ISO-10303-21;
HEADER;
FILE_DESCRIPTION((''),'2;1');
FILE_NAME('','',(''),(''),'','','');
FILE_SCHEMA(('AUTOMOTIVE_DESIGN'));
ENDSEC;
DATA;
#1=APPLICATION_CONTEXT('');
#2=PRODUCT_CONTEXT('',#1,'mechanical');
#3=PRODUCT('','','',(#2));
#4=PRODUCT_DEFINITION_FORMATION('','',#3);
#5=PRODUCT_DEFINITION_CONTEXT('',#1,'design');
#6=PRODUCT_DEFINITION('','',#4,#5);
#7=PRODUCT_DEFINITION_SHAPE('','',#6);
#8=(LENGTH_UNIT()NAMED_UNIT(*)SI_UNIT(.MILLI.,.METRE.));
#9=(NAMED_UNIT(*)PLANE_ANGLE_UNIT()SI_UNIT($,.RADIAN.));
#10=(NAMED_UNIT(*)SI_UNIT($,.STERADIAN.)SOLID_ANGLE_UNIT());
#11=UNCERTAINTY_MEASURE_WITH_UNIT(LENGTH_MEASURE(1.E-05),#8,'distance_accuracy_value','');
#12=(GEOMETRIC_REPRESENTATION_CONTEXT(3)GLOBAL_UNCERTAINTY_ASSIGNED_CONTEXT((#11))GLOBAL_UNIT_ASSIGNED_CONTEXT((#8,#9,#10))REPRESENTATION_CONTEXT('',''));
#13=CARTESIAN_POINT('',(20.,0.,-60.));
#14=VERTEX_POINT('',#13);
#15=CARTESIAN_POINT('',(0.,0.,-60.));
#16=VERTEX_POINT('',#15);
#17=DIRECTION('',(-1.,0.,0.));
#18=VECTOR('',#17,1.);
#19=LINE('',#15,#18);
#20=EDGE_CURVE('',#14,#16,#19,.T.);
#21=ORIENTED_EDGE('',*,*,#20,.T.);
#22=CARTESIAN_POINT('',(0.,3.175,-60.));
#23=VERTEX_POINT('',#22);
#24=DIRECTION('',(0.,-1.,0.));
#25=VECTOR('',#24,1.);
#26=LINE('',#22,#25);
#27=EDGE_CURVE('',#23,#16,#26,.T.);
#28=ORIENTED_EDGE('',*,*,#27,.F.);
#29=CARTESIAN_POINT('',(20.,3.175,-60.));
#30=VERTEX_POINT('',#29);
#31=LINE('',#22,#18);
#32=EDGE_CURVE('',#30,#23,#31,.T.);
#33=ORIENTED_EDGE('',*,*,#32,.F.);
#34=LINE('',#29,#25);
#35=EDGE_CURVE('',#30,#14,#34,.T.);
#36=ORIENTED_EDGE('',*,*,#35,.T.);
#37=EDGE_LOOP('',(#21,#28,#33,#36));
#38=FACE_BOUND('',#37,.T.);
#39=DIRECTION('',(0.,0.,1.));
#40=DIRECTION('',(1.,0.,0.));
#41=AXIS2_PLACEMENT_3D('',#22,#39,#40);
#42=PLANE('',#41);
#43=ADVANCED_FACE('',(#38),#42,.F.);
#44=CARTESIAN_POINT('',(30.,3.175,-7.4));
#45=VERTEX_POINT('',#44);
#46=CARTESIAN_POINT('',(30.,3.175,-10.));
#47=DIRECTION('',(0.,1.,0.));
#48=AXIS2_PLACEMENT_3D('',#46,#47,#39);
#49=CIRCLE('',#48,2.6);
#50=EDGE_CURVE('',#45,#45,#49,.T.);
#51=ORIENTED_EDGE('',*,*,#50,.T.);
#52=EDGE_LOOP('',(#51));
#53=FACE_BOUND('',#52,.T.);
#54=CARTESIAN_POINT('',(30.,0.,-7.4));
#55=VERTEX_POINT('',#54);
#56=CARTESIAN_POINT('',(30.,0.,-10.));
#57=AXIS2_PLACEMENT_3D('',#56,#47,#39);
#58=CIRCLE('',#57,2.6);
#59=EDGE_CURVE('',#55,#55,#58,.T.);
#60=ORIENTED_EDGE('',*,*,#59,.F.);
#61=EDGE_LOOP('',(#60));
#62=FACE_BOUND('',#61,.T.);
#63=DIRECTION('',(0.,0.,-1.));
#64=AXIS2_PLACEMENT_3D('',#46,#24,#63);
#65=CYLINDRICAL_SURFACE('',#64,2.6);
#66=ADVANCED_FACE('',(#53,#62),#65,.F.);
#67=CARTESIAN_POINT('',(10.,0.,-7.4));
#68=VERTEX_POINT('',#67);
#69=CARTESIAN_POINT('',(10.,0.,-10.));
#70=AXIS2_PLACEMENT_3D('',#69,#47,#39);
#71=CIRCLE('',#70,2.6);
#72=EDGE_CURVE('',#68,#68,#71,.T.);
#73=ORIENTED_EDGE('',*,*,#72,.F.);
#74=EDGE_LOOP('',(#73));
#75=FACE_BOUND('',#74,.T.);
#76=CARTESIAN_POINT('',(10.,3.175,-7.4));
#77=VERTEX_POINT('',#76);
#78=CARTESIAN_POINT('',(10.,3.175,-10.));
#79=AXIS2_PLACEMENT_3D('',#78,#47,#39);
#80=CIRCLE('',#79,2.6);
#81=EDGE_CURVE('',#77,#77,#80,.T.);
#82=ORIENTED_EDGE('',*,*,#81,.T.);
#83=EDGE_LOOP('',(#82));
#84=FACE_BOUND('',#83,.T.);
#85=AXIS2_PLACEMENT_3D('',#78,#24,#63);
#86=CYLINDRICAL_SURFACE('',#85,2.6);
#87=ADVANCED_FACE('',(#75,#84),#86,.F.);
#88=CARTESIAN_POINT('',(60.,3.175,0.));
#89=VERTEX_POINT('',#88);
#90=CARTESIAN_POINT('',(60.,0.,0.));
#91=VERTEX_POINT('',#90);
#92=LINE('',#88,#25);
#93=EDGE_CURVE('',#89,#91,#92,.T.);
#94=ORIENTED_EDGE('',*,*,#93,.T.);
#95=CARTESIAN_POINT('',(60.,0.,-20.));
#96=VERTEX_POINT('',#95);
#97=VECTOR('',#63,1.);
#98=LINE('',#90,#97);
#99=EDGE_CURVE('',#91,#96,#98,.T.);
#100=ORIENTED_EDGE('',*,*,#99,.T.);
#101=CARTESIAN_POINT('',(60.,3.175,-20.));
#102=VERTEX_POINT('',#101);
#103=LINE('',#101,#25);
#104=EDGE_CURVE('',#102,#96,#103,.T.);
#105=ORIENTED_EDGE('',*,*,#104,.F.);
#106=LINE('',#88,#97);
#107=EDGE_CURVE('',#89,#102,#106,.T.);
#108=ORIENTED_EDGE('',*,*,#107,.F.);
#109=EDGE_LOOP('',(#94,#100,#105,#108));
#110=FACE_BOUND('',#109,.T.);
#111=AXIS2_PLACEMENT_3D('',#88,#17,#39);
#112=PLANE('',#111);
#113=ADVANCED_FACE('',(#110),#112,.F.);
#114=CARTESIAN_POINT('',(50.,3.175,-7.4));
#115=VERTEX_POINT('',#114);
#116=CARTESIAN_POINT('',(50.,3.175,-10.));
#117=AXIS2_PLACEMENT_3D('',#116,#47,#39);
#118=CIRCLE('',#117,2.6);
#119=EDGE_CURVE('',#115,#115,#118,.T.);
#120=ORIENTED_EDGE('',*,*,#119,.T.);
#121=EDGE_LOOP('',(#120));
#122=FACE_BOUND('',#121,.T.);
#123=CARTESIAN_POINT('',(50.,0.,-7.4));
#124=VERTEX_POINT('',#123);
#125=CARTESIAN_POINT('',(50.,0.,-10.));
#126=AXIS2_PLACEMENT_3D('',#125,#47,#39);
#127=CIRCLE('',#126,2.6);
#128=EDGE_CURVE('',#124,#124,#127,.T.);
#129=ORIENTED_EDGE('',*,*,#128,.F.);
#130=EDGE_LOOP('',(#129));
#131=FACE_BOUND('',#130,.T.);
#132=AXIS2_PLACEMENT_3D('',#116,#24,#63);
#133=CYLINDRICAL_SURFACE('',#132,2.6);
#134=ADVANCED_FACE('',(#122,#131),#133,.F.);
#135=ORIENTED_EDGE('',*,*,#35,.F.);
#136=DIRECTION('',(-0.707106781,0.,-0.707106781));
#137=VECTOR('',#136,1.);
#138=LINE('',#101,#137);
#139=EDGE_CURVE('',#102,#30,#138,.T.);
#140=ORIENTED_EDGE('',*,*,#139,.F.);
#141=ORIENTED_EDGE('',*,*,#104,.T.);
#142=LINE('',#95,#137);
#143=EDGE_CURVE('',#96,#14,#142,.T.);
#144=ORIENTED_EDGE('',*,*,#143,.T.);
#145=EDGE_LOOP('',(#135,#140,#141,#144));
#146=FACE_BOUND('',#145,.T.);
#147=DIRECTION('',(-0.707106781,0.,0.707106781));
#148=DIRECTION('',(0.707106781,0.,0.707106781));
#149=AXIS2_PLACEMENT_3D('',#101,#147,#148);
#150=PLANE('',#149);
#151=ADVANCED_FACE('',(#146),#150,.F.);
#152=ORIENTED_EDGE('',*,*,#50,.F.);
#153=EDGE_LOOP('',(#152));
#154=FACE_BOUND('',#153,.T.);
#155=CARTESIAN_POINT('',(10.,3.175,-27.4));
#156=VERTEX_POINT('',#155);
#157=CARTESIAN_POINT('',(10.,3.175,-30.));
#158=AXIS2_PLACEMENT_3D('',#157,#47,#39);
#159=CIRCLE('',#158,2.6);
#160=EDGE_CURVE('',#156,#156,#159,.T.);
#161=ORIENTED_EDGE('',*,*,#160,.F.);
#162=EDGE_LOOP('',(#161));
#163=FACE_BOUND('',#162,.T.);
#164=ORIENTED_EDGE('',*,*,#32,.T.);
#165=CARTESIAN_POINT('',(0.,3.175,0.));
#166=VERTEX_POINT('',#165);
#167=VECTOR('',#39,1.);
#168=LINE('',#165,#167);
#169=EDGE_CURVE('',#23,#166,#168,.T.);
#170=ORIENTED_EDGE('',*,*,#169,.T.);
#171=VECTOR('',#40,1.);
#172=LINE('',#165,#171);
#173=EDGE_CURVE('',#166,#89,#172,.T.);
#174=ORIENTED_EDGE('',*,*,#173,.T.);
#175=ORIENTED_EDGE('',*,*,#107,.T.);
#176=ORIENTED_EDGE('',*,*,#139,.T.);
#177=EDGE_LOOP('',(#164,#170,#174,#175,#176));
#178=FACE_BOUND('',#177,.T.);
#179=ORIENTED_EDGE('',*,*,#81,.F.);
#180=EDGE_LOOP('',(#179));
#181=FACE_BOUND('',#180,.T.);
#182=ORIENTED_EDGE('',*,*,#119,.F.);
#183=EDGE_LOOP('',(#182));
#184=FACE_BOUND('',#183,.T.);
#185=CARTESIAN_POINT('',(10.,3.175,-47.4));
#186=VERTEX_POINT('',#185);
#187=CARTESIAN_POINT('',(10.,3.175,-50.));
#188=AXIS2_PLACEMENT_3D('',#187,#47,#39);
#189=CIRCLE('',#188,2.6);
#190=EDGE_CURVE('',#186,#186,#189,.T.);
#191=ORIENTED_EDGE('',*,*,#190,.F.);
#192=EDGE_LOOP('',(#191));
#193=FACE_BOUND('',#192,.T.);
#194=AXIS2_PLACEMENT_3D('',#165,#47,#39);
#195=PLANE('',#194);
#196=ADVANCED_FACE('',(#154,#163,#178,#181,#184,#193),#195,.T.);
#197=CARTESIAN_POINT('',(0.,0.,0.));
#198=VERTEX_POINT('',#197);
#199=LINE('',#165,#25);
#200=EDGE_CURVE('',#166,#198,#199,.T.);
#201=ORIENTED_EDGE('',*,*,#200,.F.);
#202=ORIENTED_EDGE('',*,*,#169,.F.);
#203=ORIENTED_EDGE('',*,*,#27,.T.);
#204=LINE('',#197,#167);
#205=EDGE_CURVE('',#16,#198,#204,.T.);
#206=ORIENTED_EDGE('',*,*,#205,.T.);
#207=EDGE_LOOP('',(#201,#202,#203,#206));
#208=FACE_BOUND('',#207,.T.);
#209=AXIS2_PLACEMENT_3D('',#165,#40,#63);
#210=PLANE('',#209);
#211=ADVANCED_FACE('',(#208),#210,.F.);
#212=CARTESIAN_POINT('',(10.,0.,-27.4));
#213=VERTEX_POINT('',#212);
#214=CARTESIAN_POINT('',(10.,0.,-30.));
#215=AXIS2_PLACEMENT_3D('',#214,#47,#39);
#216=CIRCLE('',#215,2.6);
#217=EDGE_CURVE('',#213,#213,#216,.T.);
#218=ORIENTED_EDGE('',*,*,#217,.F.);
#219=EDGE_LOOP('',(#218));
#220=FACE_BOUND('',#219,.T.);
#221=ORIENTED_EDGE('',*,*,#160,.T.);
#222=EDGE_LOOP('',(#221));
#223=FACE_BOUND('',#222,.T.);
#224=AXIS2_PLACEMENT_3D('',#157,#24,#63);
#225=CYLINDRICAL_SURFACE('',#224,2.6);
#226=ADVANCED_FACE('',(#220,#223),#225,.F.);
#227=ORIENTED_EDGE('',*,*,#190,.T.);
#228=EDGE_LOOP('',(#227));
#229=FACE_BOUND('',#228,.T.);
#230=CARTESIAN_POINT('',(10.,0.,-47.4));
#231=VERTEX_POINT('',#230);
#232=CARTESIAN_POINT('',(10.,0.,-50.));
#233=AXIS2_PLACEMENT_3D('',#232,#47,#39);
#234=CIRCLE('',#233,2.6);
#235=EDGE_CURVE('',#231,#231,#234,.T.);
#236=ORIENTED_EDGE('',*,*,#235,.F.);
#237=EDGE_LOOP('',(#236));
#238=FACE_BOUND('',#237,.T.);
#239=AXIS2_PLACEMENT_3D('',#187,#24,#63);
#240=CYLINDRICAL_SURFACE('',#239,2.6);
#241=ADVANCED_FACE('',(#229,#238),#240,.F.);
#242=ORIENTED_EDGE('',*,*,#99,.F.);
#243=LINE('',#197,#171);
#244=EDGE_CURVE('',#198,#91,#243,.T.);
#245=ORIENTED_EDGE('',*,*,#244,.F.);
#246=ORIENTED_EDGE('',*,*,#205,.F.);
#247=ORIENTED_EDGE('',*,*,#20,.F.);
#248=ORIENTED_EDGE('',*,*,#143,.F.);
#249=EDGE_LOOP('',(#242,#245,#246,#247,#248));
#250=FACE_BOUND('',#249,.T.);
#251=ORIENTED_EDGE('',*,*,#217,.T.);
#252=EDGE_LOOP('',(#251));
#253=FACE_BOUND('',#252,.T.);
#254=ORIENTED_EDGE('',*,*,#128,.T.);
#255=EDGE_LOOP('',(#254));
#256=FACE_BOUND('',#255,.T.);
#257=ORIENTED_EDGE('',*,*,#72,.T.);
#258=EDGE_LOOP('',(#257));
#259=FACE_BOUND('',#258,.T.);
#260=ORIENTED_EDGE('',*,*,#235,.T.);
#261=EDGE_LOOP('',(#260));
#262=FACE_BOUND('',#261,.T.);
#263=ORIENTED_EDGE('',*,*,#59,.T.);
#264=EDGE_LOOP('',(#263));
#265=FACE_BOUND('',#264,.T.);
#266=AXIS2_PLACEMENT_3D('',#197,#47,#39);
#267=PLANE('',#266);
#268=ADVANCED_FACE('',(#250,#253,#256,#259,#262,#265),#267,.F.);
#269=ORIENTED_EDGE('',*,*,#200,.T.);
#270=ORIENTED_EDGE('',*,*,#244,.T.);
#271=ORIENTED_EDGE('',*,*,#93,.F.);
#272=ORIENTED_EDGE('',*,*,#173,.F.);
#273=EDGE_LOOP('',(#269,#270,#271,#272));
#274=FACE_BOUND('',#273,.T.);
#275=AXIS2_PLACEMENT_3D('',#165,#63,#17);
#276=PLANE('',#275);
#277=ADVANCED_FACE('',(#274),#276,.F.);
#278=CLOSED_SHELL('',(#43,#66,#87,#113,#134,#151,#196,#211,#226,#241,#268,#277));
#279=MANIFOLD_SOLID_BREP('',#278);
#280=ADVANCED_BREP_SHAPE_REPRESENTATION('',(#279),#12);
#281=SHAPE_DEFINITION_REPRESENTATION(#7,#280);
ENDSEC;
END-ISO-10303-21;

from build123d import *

# Parameters (mm, degrees)
SKETCH1_R           = 2.6
BOSS_EXTRUDE1_DEPTH = 3.175


with BuildPart() as part:
    # Sketch1 → Boss-Extrude1 (new body)
    with BuildSketch(Plane(origin=(0, 0, 0), x_dir=(1, 0, 0), z_dir=(0, 1, 0))):
        Polygon((60, 0), (60, 20), (20, 60), (0, 60), (0, 0), align=None)
        with Locations((50, 10)):
            Circle(SKETCH1_R, mode=Mode.SUBTRACT)
        with Locations((10, 50)):
            Circle(SKETCH1_R, mode=Mode.SUBTRACT)
        with Locations((30, 10)):
            Circle(SKETCH1_R, mode=Mode.SUBTRACT)
        with Locations((10, 10)):
            Circle(SKETCH1_R, mode=Mode.SUBTRACT)
        with Locations((10, 30)):
            Circle(SKETCH1_R, mode=Mode.SUBTRACT)
    extrude(amount=BOSS_EXTRUDE1_DEPTH)


solid = part.part
